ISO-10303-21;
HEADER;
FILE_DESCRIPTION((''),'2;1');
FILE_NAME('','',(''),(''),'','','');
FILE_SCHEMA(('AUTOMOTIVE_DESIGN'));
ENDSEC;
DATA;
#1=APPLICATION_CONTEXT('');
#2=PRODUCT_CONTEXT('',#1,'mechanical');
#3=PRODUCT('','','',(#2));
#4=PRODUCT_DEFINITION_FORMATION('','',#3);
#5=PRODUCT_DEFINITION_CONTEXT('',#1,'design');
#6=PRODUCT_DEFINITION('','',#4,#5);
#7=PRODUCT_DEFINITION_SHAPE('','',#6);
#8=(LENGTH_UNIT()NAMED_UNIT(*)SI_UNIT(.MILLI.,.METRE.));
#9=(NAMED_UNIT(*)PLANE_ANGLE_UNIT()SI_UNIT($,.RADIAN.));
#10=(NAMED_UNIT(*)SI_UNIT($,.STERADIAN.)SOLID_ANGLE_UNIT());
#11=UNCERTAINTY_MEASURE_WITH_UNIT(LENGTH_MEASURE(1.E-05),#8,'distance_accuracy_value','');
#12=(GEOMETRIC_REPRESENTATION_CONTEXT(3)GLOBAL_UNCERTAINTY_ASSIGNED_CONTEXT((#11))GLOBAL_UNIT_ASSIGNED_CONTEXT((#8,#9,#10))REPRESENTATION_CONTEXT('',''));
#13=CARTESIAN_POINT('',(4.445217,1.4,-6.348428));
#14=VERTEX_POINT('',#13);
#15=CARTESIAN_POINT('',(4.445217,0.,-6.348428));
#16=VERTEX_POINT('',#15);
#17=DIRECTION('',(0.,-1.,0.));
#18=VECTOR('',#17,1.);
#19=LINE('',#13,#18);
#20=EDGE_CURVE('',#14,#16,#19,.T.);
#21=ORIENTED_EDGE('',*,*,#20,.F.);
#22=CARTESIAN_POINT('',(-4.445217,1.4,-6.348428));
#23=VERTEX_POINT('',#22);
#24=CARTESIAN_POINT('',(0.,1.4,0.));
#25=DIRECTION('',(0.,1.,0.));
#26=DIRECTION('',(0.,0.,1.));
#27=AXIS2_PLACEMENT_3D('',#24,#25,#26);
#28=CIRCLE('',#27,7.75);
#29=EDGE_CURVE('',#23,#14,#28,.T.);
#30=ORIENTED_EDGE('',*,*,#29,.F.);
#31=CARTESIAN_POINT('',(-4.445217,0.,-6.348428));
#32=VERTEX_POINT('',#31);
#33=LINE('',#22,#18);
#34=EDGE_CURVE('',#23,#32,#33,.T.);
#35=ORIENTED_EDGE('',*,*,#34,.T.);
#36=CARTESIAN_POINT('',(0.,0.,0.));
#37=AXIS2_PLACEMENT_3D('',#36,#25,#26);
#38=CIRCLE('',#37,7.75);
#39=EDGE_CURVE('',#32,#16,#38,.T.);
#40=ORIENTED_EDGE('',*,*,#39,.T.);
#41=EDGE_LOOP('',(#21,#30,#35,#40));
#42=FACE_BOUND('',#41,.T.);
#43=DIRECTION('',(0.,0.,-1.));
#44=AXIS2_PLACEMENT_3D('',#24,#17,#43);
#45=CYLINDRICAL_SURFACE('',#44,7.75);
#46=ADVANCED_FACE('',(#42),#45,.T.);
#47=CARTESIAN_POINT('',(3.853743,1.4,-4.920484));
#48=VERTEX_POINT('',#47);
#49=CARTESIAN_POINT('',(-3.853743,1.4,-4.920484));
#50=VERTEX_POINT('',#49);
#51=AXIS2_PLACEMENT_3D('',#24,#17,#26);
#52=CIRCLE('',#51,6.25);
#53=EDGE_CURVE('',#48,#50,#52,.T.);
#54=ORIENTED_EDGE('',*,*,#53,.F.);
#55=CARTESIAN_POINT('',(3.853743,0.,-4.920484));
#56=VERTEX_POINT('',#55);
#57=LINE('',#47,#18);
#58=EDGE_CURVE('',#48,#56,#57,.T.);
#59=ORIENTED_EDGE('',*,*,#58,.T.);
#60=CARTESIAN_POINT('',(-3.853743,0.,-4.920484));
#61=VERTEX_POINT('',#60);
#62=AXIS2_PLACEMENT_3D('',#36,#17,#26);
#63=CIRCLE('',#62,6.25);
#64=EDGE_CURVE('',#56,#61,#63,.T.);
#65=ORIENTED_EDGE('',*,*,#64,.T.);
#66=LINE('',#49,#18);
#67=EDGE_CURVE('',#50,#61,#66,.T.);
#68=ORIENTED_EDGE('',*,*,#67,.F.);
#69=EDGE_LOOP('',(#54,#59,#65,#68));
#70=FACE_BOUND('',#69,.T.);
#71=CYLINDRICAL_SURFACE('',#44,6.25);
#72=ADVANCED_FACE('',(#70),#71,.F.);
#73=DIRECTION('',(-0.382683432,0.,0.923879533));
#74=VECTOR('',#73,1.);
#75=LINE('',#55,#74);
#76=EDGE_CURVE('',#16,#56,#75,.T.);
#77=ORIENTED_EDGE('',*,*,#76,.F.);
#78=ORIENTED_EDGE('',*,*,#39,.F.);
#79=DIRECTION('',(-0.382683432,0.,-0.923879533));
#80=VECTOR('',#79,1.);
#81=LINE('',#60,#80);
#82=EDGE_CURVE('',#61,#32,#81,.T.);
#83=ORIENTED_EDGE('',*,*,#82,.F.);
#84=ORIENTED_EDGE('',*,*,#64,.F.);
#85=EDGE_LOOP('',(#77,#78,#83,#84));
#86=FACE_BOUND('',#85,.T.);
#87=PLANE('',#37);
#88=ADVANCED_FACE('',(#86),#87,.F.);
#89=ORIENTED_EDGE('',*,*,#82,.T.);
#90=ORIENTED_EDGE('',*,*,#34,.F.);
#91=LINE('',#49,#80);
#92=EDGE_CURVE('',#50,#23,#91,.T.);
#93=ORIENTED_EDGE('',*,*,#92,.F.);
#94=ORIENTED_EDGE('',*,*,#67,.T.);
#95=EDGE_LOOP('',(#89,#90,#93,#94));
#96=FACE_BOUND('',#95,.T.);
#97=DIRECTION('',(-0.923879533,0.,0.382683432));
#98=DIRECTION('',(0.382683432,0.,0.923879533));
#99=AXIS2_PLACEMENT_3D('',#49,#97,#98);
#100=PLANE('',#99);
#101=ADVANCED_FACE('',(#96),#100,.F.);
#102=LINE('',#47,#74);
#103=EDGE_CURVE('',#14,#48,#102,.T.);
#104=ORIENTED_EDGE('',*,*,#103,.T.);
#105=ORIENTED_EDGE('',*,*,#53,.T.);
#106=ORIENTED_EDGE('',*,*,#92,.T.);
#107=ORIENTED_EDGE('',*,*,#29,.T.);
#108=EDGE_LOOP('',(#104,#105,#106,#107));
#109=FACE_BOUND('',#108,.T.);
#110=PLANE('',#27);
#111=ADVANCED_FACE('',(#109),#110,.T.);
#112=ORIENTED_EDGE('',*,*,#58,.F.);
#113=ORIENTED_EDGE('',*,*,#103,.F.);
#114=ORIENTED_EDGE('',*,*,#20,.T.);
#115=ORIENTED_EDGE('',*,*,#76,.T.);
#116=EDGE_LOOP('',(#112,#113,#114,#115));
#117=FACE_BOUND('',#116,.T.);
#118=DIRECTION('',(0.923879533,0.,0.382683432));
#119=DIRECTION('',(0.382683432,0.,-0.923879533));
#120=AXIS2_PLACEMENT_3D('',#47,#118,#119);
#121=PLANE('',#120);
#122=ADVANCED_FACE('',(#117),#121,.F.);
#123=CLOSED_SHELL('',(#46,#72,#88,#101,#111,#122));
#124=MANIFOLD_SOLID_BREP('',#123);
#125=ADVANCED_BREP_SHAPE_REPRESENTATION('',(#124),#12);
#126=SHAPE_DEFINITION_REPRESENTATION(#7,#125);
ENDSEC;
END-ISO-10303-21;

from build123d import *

# Parameters (mm, degrees)
BOSS_EXTRUDE1_DEPTH = 1.4


with BuildPart() as part:
    # Sketch1 → Boss-Extrude1 (new body)
    with BuildSketch(Plane(origin=(0, 0, 0), x_dir=(1, 0, 0), z_dir=(0, 1, 0))):
        with BuildLine():
            Line((3.85374342, 4.920483884), (4.445217382, 6.348428343))
            ThreePointArc((4.445217382, 6.348428343), (0, -7.75), (-4.445217382, 6.348428343))
            Line((-4.445217382, 6.348428343), (-3.85374342, 4.920483884))
            ThreePointArc((-3.85374342, 4.920483884), (0, -6.25), (3.85374342, 4.920483884))
        make_face()
    extrude(amount=BOSS_EXTRUDE1_DEPTH)


solid = part.part
